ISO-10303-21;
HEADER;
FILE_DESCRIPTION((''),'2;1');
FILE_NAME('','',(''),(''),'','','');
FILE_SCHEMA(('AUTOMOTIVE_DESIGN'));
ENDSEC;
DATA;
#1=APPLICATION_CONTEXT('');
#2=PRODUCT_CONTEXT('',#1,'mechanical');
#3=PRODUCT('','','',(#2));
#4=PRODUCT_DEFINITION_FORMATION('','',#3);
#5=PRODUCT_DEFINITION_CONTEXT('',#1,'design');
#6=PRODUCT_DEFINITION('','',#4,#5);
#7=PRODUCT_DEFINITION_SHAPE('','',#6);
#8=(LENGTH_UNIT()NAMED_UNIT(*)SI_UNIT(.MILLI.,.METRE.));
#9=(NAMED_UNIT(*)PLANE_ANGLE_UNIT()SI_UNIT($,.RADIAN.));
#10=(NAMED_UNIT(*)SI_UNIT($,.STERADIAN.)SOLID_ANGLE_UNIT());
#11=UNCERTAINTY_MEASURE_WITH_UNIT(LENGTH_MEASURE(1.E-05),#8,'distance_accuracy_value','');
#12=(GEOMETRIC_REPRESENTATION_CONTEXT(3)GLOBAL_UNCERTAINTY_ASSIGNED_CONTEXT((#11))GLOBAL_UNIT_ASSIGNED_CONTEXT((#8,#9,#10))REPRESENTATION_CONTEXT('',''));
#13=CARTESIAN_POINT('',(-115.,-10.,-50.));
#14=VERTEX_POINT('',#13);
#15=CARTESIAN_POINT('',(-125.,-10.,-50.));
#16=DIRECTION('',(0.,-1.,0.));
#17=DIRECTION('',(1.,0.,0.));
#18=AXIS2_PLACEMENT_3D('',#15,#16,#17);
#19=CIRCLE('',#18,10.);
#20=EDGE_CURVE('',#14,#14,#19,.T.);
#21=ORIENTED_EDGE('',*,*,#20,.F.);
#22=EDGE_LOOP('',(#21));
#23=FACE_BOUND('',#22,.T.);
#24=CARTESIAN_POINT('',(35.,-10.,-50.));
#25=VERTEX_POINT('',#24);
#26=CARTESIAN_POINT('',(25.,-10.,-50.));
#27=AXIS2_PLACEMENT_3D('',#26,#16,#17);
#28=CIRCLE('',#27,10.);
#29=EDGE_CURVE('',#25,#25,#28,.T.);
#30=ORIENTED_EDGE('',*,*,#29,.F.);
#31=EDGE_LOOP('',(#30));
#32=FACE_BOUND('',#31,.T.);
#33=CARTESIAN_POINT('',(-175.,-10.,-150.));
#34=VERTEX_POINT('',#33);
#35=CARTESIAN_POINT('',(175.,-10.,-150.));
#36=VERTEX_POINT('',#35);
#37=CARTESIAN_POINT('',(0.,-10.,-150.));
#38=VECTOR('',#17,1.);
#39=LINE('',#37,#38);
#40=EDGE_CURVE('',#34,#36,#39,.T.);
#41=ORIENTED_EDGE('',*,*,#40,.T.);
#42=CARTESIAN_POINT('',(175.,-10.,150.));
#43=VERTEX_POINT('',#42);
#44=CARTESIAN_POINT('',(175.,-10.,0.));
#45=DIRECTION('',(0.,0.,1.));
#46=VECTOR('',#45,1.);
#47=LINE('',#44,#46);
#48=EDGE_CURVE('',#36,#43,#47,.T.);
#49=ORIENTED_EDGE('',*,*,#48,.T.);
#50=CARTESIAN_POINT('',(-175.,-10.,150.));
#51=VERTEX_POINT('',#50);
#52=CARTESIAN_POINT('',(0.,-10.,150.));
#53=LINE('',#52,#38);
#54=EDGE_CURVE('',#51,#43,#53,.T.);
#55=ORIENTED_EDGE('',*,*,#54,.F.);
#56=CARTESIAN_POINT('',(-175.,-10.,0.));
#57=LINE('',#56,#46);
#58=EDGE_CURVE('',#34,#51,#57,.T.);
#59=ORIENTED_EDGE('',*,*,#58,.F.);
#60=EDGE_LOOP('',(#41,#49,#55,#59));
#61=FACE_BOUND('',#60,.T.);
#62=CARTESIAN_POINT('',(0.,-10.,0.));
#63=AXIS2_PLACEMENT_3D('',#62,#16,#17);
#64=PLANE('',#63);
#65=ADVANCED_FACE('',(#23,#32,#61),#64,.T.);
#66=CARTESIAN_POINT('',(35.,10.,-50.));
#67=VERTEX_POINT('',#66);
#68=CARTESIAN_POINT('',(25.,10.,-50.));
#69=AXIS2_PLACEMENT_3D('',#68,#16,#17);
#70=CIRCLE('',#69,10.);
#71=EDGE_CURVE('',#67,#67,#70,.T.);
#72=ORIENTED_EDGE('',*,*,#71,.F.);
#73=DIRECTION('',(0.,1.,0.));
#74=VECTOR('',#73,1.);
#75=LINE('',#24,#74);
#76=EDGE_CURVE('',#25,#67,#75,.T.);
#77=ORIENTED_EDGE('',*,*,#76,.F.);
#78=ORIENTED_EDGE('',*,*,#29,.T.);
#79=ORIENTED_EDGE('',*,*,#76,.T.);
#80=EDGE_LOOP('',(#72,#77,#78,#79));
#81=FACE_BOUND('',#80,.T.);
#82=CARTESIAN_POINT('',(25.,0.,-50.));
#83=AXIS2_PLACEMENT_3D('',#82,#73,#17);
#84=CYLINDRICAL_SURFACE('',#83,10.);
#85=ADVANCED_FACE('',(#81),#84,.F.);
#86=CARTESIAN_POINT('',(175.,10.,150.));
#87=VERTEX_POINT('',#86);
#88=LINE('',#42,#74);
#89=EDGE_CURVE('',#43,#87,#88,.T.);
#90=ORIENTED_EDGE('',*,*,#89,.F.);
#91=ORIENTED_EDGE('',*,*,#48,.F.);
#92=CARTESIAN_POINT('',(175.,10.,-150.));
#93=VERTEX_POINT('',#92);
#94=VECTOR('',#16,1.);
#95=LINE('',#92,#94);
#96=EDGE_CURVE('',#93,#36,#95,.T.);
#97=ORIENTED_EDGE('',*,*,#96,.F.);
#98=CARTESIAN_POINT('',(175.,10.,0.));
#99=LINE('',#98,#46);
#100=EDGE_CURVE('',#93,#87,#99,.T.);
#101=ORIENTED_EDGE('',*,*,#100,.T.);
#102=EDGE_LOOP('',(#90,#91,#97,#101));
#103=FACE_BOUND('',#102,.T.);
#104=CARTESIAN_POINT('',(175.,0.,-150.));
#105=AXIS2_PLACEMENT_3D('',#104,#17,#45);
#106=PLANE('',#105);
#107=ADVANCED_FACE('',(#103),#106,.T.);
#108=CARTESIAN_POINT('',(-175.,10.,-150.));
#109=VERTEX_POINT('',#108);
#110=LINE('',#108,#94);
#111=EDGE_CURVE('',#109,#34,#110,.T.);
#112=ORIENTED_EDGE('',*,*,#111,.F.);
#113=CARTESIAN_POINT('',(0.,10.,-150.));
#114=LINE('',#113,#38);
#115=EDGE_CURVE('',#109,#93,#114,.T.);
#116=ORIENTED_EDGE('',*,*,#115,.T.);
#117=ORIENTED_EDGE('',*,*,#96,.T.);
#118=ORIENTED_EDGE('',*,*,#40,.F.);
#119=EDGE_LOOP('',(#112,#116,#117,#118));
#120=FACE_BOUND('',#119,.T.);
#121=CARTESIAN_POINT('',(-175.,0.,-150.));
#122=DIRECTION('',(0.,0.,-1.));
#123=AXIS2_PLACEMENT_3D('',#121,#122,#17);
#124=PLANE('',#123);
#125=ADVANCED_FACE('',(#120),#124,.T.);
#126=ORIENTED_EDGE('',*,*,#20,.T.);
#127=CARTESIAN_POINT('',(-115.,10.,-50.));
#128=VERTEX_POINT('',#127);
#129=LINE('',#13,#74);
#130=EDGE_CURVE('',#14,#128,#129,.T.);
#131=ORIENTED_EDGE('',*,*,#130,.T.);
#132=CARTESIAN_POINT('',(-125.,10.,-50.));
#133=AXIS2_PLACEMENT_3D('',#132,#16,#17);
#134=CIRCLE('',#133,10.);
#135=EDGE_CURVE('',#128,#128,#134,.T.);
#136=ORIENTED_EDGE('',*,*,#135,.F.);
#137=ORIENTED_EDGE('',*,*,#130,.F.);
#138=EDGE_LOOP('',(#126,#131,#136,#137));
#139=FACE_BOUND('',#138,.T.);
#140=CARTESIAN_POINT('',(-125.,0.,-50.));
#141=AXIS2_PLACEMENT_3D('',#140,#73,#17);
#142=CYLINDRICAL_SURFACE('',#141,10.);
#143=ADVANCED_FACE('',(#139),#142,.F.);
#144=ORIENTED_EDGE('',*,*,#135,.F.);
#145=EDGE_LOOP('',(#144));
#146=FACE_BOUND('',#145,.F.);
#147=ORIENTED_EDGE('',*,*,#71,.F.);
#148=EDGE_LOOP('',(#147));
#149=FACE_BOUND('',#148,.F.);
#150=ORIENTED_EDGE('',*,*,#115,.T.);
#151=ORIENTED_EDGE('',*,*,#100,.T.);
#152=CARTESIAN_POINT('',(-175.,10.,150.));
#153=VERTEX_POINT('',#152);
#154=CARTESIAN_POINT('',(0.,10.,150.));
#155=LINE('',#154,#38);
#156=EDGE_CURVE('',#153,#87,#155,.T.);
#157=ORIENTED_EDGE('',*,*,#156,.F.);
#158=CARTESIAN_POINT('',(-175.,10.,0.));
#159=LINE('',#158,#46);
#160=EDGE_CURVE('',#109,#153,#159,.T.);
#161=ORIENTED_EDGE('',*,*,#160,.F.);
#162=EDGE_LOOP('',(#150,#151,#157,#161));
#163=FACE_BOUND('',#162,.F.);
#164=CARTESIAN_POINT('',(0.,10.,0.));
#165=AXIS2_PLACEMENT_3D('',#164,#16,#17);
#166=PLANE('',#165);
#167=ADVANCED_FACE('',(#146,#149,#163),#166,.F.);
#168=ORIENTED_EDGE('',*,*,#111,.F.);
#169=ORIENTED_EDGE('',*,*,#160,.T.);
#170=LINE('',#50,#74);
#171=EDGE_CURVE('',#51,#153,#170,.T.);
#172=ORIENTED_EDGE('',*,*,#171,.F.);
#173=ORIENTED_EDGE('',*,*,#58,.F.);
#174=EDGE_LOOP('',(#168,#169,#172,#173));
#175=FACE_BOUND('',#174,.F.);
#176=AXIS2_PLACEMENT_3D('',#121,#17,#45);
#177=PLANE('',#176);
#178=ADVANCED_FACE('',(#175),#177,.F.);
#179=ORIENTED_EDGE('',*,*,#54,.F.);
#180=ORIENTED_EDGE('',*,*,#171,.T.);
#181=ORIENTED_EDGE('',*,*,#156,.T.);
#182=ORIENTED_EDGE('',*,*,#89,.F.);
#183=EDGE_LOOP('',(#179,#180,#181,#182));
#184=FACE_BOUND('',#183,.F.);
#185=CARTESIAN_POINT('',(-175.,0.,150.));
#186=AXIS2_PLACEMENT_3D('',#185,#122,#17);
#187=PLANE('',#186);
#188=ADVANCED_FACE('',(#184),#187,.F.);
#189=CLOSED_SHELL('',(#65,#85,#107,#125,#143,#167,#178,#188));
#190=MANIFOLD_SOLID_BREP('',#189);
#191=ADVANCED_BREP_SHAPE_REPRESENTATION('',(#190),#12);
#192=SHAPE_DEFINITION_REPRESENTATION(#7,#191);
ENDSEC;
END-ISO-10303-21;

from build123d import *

# Parameters (mm, degrees)
F0_W     = 350
F0_H     = 300
F0_R     = 10
F1_DEPTH = 10


with BuildPart() as f1:
    # F0 (on Front) → F1 (new body, symmetric)
    with BuildSketch(Plane.XZ):
        Rectangle(F0_W, F0_H)
        with Locations((-125, -50)):
            Circle(F0_R, mode=Mode.SUBTRACT)
        with Locations((25, -50)):
            Circle(F0_R, mode=Mode.SUBTRACT)
    extrude(amount=F1_DEPTH, both=True)


solid = f1.part
